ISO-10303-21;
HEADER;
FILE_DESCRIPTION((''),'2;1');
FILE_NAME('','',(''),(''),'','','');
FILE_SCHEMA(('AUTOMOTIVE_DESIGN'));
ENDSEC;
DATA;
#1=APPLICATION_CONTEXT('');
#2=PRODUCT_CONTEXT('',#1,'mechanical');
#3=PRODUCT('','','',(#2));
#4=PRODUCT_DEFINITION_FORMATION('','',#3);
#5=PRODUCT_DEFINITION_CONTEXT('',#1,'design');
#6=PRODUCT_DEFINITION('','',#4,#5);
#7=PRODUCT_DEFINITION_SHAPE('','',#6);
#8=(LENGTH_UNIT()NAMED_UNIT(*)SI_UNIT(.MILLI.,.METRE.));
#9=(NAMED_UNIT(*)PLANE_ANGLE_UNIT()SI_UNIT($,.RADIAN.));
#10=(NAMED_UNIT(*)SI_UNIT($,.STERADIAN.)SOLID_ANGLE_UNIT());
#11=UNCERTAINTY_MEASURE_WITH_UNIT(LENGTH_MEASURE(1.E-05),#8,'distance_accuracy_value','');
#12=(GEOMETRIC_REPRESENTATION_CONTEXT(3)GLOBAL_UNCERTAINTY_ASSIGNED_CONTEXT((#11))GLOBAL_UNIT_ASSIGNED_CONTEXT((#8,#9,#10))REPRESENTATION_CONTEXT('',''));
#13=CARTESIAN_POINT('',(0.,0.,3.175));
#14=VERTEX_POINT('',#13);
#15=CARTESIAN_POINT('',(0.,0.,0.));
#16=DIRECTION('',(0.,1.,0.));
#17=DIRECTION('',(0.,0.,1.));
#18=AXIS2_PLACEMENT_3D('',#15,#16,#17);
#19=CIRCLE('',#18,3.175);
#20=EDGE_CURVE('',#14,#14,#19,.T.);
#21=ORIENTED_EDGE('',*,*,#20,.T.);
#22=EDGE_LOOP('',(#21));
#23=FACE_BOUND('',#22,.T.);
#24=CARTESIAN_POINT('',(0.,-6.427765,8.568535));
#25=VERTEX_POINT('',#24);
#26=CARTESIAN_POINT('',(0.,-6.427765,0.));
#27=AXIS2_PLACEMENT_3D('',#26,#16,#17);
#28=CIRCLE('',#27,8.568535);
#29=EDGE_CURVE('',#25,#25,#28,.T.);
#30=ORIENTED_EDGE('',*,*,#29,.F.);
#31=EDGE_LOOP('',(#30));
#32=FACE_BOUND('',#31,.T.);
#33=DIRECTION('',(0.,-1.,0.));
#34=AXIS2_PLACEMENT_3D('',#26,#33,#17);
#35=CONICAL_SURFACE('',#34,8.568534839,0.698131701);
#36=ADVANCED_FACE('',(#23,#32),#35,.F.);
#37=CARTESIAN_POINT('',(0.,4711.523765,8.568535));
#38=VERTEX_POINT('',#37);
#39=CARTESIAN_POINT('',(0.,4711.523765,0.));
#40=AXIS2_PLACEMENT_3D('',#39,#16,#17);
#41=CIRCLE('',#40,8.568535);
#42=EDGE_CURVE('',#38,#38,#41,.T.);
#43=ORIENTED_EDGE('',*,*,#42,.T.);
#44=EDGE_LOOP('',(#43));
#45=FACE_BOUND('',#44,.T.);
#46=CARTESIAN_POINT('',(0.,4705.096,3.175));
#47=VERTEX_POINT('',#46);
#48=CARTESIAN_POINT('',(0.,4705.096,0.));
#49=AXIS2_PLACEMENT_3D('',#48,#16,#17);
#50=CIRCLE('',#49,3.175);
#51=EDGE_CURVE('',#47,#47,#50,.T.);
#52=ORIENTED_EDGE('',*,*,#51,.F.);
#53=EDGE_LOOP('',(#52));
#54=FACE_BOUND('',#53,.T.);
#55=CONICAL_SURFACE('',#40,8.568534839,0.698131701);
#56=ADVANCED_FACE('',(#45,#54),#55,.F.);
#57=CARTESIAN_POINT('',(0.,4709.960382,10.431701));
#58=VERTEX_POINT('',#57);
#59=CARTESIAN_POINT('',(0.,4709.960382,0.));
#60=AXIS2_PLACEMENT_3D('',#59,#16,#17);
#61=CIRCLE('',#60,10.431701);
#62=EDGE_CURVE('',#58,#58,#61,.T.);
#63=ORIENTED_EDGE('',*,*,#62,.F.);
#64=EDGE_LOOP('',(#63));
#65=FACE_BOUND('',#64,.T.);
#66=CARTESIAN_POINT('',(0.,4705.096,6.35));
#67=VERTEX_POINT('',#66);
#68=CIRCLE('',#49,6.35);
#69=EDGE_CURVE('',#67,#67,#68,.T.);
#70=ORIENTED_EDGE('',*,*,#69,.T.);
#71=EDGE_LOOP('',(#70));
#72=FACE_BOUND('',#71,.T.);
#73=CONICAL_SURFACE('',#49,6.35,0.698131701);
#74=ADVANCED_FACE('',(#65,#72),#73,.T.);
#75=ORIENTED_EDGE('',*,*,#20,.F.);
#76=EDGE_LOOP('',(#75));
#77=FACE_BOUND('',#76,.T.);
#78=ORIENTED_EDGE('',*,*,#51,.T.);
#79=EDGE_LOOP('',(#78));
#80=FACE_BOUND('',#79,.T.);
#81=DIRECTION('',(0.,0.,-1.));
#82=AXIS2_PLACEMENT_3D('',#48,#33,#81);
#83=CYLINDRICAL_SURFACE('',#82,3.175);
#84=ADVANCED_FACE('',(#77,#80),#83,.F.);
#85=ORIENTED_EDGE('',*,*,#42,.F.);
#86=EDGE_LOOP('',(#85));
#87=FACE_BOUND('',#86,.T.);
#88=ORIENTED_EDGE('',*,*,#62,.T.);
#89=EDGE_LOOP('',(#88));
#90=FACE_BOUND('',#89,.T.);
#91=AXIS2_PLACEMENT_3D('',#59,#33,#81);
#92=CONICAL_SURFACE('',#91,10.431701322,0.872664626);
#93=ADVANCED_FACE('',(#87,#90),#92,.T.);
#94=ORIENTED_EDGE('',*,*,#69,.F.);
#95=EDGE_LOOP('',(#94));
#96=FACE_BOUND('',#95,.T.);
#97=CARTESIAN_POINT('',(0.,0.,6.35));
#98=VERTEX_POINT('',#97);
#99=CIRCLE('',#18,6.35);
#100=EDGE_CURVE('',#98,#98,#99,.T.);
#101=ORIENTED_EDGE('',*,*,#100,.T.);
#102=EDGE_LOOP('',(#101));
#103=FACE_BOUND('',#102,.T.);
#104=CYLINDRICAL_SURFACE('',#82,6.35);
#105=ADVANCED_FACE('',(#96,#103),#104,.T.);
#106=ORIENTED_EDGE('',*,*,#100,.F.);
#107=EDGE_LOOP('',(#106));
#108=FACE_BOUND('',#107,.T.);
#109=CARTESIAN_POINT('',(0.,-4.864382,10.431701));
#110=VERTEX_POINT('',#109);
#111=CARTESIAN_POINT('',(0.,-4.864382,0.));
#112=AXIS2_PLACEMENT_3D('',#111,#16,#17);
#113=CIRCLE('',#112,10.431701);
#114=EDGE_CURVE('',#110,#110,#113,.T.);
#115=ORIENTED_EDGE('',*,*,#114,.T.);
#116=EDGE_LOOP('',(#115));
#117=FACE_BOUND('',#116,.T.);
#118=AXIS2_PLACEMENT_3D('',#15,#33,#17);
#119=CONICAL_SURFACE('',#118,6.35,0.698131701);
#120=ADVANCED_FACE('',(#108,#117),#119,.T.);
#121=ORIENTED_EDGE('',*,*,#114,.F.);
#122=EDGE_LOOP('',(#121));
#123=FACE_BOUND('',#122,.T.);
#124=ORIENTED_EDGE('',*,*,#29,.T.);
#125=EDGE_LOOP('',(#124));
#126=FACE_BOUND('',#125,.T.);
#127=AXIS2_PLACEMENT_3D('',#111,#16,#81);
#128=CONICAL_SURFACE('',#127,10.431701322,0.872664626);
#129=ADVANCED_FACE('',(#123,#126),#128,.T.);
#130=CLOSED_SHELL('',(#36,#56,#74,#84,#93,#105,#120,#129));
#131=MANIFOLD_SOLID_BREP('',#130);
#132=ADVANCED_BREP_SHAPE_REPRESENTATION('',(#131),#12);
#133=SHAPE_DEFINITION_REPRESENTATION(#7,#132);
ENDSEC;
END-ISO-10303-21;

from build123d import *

# Parameters (mm, degrees)
SKETCH1_R           = 6.35
SKETCH1_R_2         = 3.175
BOSS_EXTRUDE1_DEPTH = 4705.096


with BuildPart() as part:
    # Sketch1 → Boss-Extrude1 (new body)
    with BuildSketch(Plane(origin=(0, 0, 0), x_dir=(1, 0, 0), z_dir=(0, 1, 0))):
        Circle(SKETCH1_R)
        Circle(SKETCH1_R_2, mode=Mode.SUBTRACT)
    extrude(amount=BOSS_EXTRUDE1_DEPTH)

    # Sketch2 → Revolve1 (revolve)
    with BuildSketch(Plane.XY):
        Polygon((6.35, 4705.096), (10.431701322, 4709.960382214), (8.568534839, 4711.523764522), (3.175, 4705.096), align=None)
    revolve1 = revolve(axis=Axis((0, 4946.833252748, 0), (0, -1, 0)))

    # Mirror1: Revolve1 across plane
    add(revolve1.mirror(Plane.ZX.offset(2352.548)))


solid = part.part
